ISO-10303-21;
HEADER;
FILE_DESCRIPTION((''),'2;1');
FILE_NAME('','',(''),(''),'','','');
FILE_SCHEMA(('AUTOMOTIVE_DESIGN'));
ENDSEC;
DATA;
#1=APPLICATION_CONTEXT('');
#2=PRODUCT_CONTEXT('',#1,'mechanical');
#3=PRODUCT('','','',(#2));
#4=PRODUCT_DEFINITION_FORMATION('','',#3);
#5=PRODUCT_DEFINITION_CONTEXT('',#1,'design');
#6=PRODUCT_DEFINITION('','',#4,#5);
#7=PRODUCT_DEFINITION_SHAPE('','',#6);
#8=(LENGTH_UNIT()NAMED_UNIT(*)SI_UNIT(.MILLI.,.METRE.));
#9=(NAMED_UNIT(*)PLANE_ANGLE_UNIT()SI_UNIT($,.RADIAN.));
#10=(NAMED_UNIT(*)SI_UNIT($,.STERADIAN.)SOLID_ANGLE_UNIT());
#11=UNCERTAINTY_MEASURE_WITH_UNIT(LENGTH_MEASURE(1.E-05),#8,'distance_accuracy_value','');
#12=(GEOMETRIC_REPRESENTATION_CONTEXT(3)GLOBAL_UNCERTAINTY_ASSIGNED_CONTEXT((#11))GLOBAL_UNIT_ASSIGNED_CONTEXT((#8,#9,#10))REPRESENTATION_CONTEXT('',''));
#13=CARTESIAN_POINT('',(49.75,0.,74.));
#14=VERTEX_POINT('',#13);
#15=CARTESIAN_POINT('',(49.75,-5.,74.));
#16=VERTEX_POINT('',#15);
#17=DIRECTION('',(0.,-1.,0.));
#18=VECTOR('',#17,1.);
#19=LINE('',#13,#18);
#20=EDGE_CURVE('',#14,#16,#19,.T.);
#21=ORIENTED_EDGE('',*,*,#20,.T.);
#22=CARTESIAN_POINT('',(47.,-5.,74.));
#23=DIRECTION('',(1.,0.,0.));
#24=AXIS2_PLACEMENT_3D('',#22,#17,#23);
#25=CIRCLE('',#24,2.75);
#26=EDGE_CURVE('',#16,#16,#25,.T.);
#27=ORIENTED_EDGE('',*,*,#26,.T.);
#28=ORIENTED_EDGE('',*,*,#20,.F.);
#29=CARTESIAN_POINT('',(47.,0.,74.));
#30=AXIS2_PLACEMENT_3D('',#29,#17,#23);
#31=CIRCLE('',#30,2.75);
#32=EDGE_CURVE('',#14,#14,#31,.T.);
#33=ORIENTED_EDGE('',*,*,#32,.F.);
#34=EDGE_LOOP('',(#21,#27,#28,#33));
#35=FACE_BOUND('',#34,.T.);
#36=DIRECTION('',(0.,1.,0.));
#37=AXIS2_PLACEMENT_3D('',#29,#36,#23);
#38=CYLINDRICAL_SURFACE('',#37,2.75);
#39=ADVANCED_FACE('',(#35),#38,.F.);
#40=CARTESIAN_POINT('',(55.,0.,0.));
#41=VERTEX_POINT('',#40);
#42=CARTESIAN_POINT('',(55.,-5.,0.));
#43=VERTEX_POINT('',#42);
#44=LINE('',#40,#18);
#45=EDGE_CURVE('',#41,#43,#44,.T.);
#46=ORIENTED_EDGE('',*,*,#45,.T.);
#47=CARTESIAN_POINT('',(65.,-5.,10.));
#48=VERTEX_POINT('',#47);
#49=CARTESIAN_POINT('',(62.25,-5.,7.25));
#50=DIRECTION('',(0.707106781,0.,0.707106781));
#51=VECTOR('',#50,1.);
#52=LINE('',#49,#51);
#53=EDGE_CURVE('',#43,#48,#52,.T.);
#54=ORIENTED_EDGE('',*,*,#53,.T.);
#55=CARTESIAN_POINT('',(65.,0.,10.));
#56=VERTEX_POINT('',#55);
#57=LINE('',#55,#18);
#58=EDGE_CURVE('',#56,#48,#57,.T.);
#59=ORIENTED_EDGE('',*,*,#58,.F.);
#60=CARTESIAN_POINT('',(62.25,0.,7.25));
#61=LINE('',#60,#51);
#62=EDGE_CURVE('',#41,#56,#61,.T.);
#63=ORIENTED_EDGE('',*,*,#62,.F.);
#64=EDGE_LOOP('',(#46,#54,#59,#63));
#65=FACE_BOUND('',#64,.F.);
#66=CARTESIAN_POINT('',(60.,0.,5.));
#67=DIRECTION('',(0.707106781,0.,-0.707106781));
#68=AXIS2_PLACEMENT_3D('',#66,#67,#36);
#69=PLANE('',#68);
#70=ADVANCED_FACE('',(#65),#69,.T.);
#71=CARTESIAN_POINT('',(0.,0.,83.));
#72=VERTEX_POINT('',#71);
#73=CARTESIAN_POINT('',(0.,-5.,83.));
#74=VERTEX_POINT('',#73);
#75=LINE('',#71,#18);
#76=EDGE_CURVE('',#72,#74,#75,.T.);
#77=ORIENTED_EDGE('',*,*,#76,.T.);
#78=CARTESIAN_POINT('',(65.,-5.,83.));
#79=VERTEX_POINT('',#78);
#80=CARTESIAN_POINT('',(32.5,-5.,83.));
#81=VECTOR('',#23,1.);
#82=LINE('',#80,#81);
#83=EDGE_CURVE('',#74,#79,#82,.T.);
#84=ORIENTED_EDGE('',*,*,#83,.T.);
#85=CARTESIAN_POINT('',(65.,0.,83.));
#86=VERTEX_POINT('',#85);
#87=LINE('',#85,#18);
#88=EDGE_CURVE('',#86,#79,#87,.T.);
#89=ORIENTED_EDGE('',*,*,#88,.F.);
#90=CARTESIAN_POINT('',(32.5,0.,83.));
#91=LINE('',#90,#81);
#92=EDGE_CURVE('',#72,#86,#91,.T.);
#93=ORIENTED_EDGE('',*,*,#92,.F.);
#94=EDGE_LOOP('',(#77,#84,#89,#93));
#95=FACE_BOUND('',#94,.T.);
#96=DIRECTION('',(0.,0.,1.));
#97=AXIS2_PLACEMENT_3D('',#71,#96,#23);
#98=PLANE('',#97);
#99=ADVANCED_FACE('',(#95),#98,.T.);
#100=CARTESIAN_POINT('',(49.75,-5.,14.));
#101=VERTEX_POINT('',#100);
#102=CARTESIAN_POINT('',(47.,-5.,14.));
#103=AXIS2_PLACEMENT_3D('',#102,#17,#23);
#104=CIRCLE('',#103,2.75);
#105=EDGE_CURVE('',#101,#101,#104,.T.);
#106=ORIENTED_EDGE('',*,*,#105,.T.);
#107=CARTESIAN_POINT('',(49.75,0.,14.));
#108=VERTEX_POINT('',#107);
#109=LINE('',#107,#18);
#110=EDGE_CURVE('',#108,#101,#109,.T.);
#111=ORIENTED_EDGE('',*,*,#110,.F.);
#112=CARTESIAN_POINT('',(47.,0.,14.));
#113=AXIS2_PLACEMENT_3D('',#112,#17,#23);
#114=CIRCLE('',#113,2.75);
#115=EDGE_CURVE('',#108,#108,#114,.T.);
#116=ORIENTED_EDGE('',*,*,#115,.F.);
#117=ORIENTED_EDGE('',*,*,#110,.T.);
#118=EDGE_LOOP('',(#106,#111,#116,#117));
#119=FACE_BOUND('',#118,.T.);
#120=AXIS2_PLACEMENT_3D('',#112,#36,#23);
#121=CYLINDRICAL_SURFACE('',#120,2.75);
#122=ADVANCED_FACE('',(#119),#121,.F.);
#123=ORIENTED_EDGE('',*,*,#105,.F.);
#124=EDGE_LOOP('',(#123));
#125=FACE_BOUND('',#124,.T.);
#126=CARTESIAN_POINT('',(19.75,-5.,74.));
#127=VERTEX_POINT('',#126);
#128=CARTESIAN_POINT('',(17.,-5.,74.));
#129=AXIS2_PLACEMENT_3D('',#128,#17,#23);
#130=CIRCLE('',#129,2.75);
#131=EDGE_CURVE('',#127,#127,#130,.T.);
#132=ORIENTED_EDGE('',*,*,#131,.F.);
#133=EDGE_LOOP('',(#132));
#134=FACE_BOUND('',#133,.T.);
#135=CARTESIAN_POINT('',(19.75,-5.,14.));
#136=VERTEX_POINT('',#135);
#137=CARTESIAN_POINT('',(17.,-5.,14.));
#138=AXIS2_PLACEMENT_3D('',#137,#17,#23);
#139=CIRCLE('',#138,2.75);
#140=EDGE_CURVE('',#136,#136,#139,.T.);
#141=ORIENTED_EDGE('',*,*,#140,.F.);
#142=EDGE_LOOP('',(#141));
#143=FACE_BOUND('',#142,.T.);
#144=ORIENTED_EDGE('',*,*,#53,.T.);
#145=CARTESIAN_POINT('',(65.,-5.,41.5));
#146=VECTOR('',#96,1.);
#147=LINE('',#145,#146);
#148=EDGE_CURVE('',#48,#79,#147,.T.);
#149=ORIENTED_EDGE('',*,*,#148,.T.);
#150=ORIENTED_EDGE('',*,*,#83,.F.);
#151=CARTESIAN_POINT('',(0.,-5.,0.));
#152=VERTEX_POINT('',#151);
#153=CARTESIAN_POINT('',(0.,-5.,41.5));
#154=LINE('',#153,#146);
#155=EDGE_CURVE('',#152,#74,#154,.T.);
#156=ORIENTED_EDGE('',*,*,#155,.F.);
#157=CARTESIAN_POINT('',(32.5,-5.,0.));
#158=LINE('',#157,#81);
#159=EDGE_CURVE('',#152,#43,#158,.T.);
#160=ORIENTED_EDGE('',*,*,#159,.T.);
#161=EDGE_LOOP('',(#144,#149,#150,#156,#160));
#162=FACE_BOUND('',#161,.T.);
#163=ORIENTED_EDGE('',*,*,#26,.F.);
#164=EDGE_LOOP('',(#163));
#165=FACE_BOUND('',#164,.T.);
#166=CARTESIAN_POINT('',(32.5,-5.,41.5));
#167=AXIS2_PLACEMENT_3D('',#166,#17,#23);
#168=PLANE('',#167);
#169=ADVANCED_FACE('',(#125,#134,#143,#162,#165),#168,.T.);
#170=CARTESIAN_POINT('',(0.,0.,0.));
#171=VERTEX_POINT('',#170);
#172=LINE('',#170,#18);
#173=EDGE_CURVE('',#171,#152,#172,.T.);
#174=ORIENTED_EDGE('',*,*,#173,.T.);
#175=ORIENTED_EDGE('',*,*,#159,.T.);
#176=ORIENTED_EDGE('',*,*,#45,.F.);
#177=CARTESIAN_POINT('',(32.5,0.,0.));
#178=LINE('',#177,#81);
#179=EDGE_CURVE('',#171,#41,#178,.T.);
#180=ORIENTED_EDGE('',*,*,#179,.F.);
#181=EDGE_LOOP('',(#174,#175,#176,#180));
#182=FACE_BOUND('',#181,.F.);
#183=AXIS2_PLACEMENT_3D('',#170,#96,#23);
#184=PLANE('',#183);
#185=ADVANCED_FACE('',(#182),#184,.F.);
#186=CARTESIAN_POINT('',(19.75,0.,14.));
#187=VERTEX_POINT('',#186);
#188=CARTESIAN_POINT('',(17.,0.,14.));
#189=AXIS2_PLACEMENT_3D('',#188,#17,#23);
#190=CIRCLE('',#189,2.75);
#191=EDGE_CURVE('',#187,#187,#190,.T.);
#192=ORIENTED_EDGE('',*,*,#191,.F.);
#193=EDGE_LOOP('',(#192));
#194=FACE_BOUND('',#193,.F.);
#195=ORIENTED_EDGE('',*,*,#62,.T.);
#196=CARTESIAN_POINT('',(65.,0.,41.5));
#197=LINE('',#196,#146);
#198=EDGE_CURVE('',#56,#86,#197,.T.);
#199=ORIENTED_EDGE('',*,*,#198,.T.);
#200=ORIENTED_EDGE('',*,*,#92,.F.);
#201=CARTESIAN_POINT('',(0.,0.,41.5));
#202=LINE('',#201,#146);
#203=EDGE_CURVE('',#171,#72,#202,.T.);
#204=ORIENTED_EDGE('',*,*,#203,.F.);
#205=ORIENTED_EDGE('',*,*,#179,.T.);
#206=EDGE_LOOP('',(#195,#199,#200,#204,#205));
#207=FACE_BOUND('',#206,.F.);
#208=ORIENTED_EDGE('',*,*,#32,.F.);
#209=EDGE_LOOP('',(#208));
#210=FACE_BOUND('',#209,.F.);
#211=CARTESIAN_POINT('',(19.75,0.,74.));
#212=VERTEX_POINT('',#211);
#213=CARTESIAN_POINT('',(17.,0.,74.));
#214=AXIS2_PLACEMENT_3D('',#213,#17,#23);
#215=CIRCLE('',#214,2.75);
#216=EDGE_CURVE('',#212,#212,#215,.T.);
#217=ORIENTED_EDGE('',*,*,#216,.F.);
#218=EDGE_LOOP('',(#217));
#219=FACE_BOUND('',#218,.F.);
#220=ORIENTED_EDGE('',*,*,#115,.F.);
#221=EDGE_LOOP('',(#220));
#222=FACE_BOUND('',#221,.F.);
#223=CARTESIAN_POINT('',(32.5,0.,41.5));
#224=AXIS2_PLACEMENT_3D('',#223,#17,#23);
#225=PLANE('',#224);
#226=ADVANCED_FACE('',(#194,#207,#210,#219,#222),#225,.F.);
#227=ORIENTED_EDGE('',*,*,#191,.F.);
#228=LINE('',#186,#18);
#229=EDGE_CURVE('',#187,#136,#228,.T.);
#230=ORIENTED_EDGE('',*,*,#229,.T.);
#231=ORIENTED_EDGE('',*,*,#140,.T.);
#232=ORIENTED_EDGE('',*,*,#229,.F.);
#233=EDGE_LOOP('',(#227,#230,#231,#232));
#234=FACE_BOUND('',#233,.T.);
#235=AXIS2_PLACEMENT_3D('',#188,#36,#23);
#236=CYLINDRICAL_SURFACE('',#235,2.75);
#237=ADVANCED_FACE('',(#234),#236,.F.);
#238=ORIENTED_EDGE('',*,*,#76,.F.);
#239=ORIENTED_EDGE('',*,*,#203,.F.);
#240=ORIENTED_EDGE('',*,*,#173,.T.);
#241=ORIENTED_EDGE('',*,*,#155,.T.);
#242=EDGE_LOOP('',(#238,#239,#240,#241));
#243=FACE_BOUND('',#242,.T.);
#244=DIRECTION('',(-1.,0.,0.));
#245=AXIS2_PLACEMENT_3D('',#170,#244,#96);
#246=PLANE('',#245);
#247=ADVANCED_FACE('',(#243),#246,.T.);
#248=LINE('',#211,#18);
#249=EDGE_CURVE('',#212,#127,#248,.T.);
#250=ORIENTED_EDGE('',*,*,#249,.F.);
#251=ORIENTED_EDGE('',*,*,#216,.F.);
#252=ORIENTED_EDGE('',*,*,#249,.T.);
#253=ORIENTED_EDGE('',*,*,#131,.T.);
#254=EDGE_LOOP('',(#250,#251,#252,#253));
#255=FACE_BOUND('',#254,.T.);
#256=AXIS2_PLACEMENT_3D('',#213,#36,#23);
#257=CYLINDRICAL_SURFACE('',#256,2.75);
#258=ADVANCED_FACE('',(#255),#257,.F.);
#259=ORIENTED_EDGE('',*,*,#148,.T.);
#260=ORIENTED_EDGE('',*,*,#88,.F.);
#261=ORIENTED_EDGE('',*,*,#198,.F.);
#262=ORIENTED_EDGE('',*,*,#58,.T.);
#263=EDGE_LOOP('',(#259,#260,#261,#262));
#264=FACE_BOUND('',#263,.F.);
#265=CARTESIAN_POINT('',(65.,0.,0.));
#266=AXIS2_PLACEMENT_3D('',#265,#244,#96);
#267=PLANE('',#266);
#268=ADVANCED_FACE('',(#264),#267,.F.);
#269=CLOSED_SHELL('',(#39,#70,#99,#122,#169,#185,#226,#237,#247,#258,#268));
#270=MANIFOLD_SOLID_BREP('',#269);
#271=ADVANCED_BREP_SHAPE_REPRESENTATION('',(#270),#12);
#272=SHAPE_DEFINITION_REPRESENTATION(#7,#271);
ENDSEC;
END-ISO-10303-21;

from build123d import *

# Parameters (mm, degrees)
F0_W     = 65
F0_H     = 83
F0_R     = 2.75
F1_DEPTH = 5
F2_SIZE  = 10


with BuildPart() as f1:
    # F0 (on Front) → F1 (new body)
    with BuildSketch(Plane.XZ):
        with Locations((32.5, 41.5)):
            Rectangle(F0_W, F0_H)
        with Locations((17, 14)):
            Circle(F0_R, mode=Mode.SUBTRACT)
        with Locations((47, 14)):
            Circle(F0_R, mode=Mode.SUBTRACT)
        with Locations((17, 74)):
            Circle(F0_R, mode=Mode.SUBTRACT)
        with Locations((47, 74)):
            Circle(F0_R, mode=Mode.SUBTRACT)
    extrude(amount=F1_DEPTH)

    # F2
    f2_edges = [f1.edges().sort_by_distance(p)[0] for p in [
        (65, -2.5, 0),
    ]]
    chamfer(f2_edges, length=F2_SIZE)


solid = f1.part
